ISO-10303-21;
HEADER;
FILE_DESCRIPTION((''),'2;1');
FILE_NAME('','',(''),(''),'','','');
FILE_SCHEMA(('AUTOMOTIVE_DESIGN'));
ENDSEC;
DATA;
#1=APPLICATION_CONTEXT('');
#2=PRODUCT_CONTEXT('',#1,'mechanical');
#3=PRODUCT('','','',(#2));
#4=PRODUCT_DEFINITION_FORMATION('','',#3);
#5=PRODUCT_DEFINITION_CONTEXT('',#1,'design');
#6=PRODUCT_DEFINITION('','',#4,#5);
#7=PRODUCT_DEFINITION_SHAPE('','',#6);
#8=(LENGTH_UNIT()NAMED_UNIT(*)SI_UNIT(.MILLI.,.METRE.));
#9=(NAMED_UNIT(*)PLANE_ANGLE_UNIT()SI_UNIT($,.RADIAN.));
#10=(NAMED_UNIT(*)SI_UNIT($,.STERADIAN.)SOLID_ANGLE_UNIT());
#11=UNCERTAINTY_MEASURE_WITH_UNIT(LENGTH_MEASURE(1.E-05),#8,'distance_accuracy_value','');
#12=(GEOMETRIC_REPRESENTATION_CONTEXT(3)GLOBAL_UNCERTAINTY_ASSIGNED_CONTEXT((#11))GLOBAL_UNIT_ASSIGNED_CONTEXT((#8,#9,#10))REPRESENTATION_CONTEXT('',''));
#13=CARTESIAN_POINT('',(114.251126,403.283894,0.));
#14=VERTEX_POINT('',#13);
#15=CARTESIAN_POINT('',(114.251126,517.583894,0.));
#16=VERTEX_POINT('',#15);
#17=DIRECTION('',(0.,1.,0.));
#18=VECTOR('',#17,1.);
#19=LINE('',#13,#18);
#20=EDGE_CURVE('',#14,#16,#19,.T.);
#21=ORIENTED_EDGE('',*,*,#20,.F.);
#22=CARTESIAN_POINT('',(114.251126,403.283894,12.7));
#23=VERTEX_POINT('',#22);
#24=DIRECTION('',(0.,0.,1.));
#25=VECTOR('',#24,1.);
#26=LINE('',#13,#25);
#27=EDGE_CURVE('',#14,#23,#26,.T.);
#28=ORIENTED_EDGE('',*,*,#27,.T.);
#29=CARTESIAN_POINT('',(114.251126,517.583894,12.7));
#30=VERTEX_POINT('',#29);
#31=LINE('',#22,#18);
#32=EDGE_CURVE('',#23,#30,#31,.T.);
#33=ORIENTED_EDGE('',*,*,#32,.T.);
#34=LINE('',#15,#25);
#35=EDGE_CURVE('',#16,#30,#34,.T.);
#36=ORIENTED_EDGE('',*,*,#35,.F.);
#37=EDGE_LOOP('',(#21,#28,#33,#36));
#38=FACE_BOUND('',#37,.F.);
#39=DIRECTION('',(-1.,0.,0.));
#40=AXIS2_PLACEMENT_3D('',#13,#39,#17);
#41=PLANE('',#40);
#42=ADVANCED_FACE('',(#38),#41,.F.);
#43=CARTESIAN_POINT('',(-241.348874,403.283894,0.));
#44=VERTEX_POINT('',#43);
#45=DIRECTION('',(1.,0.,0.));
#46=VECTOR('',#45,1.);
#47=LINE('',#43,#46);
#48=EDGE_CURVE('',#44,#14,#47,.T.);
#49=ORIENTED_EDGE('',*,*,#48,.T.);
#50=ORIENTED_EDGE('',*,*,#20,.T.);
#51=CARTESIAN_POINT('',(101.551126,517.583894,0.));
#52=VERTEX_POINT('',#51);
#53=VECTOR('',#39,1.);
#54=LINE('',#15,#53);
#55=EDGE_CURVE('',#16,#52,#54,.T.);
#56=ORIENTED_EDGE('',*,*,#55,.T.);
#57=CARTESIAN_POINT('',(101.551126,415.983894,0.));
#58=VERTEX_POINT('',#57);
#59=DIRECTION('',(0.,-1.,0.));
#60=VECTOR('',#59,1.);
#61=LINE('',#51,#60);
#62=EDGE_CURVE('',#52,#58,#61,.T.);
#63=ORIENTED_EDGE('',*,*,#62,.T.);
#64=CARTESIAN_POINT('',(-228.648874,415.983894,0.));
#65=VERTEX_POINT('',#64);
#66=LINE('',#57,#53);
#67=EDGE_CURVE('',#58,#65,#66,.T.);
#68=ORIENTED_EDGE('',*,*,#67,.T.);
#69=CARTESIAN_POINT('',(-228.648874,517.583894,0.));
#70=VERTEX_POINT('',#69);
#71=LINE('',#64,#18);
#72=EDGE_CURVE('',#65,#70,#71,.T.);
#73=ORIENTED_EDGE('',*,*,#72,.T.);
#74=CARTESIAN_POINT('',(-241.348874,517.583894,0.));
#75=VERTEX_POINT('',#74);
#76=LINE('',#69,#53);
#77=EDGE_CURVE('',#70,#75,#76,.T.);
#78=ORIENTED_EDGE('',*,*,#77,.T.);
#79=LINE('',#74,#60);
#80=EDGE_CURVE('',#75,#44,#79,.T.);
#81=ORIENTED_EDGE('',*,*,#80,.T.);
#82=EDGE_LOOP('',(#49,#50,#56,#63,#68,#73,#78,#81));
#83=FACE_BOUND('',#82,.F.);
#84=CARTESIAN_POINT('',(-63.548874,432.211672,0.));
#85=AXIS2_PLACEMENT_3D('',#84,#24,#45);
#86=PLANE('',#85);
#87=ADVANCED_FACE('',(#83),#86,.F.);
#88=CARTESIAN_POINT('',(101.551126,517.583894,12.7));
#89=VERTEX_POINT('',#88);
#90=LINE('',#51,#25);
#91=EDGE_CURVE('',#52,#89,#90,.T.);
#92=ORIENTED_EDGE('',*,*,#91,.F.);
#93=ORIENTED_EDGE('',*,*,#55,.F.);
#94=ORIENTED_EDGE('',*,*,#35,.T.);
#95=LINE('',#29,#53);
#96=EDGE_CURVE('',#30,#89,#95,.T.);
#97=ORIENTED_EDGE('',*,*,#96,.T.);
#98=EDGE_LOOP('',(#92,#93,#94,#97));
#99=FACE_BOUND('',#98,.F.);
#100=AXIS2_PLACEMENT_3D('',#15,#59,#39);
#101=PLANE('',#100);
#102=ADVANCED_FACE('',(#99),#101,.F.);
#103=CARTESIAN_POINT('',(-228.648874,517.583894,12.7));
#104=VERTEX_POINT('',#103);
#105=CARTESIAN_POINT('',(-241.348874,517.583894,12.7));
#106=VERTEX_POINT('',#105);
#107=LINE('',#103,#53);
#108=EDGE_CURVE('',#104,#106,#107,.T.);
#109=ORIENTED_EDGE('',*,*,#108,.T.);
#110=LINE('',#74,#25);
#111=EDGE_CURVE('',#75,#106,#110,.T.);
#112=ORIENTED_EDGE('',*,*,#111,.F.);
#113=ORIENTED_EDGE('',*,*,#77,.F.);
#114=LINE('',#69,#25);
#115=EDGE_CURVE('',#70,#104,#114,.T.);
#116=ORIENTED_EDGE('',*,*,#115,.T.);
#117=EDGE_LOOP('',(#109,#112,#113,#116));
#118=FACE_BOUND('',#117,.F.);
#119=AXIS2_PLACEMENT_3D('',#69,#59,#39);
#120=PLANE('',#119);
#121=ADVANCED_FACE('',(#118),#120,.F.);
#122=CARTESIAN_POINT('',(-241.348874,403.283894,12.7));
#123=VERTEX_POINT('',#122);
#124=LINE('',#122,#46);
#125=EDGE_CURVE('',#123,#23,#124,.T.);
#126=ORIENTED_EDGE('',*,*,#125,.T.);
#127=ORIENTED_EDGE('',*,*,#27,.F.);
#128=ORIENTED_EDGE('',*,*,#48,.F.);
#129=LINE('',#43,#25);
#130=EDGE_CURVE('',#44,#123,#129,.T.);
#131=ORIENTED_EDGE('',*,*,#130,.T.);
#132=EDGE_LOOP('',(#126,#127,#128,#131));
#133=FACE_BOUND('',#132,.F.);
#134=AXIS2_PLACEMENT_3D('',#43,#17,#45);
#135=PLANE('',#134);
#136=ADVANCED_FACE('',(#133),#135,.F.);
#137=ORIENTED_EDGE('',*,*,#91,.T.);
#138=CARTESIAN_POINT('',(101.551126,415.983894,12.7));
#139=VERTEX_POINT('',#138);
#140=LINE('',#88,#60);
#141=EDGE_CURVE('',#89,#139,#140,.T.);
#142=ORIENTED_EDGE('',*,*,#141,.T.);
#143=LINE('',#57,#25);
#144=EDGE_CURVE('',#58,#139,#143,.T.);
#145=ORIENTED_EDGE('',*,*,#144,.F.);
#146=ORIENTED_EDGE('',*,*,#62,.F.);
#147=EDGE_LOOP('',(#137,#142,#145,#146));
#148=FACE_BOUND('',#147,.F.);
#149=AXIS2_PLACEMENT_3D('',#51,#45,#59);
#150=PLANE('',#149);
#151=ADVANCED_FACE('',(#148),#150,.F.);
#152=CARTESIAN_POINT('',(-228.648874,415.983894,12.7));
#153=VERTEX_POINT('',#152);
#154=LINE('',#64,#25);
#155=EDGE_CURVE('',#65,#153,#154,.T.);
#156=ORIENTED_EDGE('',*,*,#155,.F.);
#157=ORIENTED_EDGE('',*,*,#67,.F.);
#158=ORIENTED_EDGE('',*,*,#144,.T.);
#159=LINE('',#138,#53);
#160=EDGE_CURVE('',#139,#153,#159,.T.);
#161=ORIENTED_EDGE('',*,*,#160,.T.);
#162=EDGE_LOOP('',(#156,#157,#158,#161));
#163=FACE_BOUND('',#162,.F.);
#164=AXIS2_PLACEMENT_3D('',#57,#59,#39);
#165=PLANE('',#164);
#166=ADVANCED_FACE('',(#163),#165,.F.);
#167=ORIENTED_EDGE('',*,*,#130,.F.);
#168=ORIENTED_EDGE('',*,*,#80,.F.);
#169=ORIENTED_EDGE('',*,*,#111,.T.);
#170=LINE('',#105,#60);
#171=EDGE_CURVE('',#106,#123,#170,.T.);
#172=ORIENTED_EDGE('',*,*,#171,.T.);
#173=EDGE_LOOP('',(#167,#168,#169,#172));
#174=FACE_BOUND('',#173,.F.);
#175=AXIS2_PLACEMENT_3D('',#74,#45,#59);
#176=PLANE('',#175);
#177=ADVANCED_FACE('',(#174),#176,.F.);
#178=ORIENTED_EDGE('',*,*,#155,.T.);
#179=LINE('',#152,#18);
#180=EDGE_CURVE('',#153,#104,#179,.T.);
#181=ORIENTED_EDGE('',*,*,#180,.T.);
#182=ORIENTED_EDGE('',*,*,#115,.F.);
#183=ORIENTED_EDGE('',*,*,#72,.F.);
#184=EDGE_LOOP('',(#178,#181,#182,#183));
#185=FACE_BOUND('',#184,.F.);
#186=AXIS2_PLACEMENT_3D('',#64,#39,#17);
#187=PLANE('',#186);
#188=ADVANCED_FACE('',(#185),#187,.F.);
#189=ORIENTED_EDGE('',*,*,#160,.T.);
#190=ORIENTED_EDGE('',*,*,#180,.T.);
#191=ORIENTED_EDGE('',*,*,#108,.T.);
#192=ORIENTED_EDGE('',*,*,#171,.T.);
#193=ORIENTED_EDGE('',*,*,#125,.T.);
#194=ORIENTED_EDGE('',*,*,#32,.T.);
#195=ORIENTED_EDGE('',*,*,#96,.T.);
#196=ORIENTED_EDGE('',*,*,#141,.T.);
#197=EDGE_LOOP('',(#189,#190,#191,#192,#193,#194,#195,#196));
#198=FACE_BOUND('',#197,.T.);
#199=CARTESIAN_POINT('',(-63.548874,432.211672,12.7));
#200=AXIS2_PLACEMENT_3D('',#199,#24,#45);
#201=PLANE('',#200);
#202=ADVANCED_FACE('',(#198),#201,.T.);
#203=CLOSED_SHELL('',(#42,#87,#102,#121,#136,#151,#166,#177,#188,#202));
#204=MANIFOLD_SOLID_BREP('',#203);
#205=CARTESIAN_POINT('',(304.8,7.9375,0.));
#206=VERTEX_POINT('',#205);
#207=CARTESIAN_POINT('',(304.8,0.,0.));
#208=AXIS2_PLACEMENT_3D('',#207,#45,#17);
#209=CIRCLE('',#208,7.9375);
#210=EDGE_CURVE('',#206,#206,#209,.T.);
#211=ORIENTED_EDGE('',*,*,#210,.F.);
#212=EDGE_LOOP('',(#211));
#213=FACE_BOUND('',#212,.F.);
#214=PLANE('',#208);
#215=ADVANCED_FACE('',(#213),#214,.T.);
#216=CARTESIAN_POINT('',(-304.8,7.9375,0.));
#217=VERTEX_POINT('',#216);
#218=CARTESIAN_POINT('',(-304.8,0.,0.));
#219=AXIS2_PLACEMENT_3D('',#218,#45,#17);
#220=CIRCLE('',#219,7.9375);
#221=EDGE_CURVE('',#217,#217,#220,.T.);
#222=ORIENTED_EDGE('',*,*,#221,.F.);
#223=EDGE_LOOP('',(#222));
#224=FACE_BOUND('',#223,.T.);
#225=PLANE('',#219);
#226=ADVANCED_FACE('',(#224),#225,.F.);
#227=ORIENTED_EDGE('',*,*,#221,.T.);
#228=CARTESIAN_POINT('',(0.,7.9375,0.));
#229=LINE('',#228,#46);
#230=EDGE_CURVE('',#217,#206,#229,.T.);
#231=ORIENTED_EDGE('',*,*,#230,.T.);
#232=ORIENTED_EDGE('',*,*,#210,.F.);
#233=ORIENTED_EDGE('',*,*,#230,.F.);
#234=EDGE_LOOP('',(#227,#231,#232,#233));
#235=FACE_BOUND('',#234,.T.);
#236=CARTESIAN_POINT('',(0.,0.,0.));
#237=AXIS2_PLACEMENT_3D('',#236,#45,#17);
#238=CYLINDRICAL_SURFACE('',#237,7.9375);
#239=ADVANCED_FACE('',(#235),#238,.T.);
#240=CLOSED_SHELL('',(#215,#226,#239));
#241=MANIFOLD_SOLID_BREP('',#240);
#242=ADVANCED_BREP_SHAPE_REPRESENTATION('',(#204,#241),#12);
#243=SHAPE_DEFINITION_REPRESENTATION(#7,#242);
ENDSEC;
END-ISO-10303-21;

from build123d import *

# Parameters (mm, degrees)
F0_W     = 609.6
F0_H     = 7.9375
F3_DEPTH = 12.7


with BuildPart() as f1:
    # F0 (on Top) → F1 (revolve)
    with BuildSketch(Plane.XY):
        with Locations((0, 3.96875)):
            Rectangle(F0_W, F0_H)
    revolve(axis=Axis((0, 0, 0), (1, 0, 0)))


with BuildPart() as f3:
    # F2 (on Top) → F3 (new body)
    with BuildSketch(Plane.XY):
        Polygon((-228.648874, 517.583894), (-241.348874, 517.583894), (-241.348874, 415.983894), (-241.348874, 403.283894), (114.251126, 403.283894), (114.251126, 517.583894), (101.551126, 517.583894), (101.551126, 415.983894), (-228.648874, 415.983894), align=None)
    extrude(amount=F3_DEPTH)


solid = Compound([f1.part, f3.part])
